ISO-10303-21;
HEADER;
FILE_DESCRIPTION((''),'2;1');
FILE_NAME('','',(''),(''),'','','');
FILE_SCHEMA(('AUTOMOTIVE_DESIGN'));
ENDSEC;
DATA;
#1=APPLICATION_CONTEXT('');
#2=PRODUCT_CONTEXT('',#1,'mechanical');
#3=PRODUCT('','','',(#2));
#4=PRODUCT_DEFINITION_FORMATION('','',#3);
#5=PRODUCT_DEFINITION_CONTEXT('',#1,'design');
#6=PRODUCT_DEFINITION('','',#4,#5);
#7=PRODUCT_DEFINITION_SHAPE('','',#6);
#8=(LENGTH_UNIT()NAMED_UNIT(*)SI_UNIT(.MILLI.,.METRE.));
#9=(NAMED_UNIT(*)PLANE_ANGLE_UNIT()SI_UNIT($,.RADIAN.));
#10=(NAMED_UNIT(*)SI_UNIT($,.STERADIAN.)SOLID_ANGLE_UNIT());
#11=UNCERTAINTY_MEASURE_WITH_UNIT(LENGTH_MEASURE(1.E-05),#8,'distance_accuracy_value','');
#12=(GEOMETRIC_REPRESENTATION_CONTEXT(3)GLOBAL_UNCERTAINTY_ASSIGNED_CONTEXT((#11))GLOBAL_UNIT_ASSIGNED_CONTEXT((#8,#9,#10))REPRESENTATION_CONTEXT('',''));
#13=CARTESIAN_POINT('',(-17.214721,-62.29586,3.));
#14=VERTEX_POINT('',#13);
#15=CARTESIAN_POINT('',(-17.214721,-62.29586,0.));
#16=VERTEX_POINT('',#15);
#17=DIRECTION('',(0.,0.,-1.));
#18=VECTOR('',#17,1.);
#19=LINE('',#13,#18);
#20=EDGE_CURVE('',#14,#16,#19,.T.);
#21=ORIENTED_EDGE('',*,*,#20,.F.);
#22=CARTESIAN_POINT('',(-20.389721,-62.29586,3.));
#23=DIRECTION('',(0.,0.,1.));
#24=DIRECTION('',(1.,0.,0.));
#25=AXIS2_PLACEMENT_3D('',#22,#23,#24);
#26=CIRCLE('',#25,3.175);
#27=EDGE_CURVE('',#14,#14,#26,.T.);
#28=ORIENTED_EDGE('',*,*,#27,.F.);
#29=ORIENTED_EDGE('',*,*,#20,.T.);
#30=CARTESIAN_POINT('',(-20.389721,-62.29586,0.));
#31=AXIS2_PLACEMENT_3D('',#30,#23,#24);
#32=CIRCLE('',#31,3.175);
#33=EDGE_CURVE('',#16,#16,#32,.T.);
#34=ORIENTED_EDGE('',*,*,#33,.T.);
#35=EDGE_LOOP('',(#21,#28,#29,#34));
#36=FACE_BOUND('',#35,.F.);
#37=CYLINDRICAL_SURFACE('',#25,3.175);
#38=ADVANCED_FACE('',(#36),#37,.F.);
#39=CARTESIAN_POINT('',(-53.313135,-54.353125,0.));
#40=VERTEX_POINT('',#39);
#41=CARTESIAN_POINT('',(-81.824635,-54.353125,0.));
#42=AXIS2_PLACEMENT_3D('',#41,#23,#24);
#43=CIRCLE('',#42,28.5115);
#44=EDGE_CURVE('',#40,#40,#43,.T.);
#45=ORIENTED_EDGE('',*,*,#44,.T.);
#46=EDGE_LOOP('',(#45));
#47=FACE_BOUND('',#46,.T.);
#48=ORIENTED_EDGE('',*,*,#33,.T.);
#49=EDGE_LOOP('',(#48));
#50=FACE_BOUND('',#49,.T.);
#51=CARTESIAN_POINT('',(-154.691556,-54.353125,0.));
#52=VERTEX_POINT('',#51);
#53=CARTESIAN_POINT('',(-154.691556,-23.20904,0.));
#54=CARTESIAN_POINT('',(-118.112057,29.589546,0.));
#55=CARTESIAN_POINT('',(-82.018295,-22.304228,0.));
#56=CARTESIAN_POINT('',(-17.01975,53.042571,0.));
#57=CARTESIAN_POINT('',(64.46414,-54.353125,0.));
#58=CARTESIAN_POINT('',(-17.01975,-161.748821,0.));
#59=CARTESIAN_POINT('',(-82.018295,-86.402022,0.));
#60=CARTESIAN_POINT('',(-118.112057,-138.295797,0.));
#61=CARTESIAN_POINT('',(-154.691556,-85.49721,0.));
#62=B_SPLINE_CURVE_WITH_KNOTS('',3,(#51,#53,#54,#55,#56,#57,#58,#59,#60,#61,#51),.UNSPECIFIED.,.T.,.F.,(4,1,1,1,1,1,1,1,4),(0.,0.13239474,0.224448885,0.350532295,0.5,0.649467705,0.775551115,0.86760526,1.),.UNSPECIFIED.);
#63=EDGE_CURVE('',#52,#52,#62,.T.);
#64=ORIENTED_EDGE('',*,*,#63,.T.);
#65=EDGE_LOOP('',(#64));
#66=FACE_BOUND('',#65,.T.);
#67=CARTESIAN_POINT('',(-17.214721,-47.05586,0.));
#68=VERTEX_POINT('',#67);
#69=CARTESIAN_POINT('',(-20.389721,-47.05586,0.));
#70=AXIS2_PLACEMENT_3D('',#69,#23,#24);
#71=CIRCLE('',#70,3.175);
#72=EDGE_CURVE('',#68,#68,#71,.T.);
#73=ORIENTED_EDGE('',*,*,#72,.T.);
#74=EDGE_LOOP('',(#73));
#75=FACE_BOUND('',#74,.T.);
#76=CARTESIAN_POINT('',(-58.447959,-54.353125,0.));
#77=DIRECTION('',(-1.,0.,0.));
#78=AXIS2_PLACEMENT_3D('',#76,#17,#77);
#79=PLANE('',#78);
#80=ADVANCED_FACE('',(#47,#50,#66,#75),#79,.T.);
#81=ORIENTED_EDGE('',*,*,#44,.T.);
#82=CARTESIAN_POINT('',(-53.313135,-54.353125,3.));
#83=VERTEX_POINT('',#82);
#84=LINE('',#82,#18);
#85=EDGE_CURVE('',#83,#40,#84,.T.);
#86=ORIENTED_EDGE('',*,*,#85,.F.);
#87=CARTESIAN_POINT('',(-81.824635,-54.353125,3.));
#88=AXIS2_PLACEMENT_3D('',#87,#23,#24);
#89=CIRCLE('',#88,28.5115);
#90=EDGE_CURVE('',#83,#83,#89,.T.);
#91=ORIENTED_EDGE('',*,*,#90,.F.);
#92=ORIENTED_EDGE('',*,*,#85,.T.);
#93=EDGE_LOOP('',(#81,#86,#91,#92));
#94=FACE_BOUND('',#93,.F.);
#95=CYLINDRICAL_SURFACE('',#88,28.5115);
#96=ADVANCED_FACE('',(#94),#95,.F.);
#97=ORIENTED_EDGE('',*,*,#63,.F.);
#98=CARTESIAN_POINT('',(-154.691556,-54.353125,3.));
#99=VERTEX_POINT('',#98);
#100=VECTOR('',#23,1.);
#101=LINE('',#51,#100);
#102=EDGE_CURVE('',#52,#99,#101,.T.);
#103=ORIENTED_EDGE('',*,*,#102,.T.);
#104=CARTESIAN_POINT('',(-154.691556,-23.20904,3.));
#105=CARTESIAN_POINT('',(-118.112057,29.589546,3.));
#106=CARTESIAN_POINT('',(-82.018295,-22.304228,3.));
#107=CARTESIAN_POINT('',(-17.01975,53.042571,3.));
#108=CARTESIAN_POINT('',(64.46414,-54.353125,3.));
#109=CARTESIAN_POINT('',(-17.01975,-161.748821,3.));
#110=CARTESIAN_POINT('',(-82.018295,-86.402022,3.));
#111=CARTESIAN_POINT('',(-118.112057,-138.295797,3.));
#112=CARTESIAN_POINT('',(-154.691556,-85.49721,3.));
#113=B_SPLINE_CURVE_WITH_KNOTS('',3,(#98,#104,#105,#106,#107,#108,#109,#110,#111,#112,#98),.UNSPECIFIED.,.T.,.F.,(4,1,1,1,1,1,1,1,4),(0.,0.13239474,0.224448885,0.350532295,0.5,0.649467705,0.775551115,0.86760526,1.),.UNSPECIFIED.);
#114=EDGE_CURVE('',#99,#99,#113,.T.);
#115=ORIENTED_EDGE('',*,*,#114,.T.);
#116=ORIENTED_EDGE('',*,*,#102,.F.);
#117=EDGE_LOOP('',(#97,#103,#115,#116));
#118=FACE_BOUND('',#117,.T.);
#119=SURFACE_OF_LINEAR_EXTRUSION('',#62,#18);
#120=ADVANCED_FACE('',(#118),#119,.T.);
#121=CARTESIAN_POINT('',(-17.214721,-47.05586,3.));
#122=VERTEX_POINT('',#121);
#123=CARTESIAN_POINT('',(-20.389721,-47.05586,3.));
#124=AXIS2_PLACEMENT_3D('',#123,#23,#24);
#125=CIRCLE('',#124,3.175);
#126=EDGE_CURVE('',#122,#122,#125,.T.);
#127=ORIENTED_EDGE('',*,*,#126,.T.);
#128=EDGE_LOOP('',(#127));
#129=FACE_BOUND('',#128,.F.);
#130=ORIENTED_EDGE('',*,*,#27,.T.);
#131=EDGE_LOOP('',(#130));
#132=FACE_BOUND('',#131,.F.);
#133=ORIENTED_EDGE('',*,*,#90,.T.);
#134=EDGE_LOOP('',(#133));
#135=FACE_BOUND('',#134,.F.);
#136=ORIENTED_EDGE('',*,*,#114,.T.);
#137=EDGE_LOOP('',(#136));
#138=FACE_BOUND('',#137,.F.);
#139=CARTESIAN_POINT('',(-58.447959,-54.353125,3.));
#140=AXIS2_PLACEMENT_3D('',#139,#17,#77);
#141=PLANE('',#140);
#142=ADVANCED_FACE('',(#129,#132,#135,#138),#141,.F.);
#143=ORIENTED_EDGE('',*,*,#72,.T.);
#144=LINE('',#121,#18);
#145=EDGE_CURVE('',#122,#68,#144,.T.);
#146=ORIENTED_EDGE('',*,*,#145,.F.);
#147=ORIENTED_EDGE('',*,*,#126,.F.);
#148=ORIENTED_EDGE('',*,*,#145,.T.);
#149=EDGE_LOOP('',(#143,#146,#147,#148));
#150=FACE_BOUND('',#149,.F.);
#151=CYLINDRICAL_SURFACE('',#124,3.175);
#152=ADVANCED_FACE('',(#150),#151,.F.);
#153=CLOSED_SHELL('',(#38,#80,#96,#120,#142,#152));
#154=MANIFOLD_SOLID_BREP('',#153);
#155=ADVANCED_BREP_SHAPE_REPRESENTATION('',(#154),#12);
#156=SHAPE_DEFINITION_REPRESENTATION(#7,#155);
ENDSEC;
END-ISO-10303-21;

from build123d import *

# Parameters (mm, degrees)
F1_DEPTH = 3
F2_R     = 28.5115
F3_DEPTH = 3
F4_R     = 3.175
F5_DEPTH = 25.4


with BuildPart() as f1:
    # F0 (on Top) → F1 (new body)
    with BuildSketch(Plane.XY):
        with BuildLine():
            add(Edge.make_bspline(
                [(-154.6915561036, -54.3531250774), (-154.6915561036, -23.2090401662), (-118.1120565582, 29.5895463504), (-82.0182948831, -22.3042283976), (-17.0197501773, 53.0425712855), (64.4641398068, -54.3531250774), (-17.0197501773, -161.7488214403), (-82.0182948831, -86.4020217572), (-118.1120565582, -138.2957965052), (-154.6915561036, -85.4972099886), (-154.6915561036, -54.3531250774)],
                knots=[0, 0, 0, 0, 0.1323947401, 0.2244488852, 0.3505322945, 0.5, 0.6494677055, 0.7755511148, 0.8676052599, 1, 1, 1, 1], degree=3))
        make_face()
    extrude(amount=F1_DEPTH)

    # F2 (on face) → F3 (cut)
    with BuildSketch(Plane.XY.offset(3)):
        with Locations((-81.8246347257, -54.3531250774)):
            Circle(F2_R)
    extrude(amount=-F3_DEPTH, mode=Mode.SUBTRACT)

    # F4 (on face) → F5 (cut)
    with BuildSketch(Plane.XY.offset(3)):
        with Locations((-20.3897207975, -47.0558599767)):
            Circle(F4_R)
        with Locations((-20.3897207975, -62.2958599767)):
            Circle(F4_R)
    extrude(amount=-F5_DEPTH, mode=Mode.SUBTRACT)


solid = f1.part
